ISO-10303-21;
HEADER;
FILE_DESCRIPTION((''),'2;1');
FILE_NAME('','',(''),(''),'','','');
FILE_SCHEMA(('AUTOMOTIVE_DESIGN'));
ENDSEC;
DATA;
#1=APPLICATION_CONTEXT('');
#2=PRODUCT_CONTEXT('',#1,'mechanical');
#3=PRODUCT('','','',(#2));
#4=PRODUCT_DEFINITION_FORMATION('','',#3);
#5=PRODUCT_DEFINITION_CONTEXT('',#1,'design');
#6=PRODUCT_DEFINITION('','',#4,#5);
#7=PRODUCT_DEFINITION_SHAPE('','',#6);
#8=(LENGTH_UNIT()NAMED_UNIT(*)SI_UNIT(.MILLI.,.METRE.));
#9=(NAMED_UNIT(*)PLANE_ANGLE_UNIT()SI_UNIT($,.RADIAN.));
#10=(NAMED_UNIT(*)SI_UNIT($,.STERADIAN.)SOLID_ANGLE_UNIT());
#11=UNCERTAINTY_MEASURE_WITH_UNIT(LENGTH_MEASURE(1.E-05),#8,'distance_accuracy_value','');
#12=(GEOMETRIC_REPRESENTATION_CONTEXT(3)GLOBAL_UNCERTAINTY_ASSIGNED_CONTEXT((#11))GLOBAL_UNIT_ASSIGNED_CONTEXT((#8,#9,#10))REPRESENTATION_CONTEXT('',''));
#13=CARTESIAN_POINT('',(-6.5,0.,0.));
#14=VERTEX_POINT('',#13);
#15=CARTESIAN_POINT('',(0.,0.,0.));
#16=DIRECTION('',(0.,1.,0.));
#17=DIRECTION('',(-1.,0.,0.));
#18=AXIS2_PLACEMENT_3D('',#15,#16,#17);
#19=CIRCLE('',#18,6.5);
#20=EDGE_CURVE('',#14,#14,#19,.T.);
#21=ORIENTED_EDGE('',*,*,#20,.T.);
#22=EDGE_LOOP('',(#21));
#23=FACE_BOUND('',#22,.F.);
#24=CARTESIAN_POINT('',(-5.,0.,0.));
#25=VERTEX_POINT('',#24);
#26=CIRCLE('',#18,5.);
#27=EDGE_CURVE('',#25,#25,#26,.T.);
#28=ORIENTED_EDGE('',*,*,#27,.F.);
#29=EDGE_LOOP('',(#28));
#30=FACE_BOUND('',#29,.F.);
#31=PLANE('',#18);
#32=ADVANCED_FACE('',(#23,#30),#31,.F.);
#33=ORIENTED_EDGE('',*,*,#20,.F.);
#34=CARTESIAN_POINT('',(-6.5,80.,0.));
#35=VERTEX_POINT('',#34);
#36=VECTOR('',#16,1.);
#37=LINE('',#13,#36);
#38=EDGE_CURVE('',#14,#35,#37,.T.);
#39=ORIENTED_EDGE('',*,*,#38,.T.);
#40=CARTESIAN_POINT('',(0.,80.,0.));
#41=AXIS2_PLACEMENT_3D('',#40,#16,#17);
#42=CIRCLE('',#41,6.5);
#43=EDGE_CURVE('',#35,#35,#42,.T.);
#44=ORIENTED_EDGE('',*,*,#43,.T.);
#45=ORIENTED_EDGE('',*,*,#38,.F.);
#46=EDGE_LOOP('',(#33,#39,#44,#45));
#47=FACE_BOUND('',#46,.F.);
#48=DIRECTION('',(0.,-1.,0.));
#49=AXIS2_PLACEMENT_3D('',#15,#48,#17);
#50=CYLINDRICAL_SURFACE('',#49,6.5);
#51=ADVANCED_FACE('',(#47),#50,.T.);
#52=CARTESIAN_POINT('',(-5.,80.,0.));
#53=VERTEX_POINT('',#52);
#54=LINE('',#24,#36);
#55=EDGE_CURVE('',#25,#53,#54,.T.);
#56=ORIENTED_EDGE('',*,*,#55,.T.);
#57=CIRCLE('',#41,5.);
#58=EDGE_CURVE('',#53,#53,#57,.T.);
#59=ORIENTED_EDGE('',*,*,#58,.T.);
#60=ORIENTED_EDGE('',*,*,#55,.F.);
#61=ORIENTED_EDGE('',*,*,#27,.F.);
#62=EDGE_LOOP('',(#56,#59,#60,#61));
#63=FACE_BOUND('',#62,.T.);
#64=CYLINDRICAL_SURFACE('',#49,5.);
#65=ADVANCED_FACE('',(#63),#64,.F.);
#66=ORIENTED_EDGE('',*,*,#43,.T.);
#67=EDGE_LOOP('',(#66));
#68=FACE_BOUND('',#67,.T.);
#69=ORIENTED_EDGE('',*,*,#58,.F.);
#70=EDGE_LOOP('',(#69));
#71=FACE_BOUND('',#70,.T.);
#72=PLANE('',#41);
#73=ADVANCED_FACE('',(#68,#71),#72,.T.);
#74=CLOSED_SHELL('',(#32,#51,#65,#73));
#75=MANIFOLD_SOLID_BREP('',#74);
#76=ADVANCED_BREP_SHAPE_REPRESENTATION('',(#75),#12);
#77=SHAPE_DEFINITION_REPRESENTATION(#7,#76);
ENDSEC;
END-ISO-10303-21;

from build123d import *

# Parameters (mm, degrees)
SKETCH3_BP_R     = 6.5
SKETCH3_BP_R_2   = 5
EXTRUSION2_DEPTH = 80


with BuildPart() as part:
    # Sketch3_bp → Extrusion2 (new body)
    with BuildSketch(Plane(origin=(0, 0, 0), x_dir=(-1, 0, 0), z_dir=(0, 1, 0))):
        Circle(SKETCH3_BP_R)
        Circle(SKETCH3_BP_R_2, mode=Mode.SUBTRACT)
    extrude(amount=EXTRUSION2_DEPTH)


solid = part.part
